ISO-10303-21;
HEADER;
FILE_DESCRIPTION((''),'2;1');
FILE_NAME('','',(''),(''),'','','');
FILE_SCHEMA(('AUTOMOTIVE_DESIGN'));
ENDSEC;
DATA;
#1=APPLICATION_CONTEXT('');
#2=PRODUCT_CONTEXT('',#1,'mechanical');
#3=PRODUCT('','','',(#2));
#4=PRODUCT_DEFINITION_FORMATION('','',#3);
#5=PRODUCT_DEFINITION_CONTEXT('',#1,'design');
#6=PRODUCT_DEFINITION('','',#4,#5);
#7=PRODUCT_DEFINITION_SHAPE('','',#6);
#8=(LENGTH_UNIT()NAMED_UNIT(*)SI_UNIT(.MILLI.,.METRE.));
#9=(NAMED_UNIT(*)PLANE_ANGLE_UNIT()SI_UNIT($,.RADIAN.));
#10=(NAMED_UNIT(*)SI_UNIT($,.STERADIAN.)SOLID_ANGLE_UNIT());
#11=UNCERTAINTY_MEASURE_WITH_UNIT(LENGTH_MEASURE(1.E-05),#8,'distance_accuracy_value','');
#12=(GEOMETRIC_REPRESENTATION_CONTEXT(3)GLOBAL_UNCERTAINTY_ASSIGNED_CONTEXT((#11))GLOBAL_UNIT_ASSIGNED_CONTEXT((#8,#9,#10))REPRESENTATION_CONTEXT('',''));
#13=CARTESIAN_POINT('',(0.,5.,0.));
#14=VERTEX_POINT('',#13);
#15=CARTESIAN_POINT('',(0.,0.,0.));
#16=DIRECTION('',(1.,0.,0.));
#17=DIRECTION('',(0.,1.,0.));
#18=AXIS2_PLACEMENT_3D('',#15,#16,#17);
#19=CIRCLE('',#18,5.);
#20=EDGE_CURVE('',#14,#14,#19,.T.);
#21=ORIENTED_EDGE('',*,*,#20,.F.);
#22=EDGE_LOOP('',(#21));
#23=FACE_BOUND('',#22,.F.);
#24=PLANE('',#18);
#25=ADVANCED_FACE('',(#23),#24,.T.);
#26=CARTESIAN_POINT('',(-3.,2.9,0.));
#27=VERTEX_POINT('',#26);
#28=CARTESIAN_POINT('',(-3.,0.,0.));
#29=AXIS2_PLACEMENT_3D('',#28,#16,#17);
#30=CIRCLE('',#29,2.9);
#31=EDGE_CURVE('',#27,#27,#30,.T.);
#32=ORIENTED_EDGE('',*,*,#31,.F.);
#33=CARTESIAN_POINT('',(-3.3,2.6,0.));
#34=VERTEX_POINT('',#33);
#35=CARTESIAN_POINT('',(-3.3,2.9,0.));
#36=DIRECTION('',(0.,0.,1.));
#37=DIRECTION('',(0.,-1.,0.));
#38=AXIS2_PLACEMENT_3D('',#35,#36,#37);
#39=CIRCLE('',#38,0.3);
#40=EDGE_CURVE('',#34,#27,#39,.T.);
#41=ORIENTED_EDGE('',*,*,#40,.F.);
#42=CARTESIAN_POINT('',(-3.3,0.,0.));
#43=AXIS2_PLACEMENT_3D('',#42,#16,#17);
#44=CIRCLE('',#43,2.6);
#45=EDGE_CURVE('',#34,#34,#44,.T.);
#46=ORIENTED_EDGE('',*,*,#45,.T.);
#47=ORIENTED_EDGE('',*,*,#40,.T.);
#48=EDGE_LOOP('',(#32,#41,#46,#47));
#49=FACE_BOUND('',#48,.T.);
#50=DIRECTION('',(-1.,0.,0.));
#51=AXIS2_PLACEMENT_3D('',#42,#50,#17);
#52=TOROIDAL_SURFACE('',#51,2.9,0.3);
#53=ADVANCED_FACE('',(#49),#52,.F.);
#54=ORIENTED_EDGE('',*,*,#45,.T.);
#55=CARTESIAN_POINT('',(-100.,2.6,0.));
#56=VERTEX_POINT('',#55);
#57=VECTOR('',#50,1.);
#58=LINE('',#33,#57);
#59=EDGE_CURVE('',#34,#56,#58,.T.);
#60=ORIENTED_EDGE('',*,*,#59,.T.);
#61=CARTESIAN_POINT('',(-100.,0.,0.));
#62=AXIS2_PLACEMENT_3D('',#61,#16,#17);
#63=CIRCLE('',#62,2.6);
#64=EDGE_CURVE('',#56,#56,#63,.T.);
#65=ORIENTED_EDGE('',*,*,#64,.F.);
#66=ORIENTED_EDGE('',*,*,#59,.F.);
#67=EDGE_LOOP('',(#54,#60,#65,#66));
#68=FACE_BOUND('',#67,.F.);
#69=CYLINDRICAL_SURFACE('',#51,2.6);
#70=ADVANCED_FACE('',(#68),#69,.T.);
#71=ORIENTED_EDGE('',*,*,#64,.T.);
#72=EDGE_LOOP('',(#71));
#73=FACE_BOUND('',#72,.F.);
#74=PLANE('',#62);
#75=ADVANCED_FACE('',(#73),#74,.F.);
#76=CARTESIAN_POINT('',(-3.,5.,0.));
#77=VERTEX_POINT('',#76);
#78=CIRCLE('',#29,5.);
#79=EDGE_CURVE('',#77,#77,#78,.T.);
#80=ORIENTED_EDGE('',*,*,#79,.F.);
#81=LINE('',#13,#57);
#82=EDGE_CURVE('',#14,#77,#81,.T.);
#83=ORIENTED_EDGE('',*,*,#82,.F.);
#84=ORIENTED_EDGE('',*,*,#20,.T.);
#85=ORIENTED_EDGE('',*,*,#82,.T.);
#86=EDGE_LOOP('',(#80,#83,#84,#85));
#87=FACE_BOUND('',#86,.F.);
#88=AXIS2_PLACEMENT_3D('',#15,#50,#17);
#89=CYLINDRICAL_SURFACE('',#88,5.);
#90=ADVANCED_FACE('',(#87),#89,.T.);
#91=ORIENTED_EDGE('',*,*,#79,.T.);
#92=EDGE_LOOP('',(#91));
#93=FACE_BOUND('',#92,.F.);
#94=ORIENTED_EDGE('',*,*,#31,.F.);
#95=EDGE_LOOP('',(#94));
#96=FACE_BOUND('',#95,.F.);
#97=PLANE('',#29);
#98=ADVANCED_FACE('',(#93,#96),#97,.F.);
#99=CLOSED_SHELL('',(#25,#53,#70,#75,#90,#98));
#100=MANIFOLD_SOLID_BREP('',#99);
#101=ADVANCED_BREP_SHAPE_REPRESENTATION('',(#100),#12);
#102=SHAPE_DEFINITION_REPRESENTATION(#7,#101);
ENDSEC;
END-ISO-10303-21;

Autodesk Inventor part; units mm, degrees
ref_plane "YZ Plane" through (0, 0, 0) normal (1, 0, 0) x (0, 1, 0)
ref_plane "XZ Plane" through (0, 0, 0) normal (0, 1, 0) x (-1, 0, 0)
ref_plane "XY Plane" through (0, 0, 0) normal (0, 0, 1) x (1, 0, 0)
sketch "Skizze1" plane through (0, 0, 0) normal (0, 0, 1) x (1, 0, 0)
  line L0 (0, 0) -> (0, 5)
  line L1 (0, 5) -> (-3, 5)
  line L2 (-3, 5) -> (-3, 2.9)
  line L3 (-3.3, 2.6) -> (-100, 2.6)
  line L4 (-100, 2.6) -> (-100, 0)
  line L5 (-100, 0) -> (0, 0)
  arc A0 (-3.3, 2.6) -> (-3, 2.9) centre (-3.3, 2.9) ccw
  dimension "d0" = 5.2
  dimension "d1" = 100
  dimension "d2" = 10
  dimension "d3" = 3
  dimension "d4" = 0.3
revolve "Umdrehung1" add sketch "Skizze1" angle 360 about axis through (-100, 0, 0) along (1, 0, 0)
properties part number "Marks - R80/5,2/100" material "Edelstahl, austenitisch"
